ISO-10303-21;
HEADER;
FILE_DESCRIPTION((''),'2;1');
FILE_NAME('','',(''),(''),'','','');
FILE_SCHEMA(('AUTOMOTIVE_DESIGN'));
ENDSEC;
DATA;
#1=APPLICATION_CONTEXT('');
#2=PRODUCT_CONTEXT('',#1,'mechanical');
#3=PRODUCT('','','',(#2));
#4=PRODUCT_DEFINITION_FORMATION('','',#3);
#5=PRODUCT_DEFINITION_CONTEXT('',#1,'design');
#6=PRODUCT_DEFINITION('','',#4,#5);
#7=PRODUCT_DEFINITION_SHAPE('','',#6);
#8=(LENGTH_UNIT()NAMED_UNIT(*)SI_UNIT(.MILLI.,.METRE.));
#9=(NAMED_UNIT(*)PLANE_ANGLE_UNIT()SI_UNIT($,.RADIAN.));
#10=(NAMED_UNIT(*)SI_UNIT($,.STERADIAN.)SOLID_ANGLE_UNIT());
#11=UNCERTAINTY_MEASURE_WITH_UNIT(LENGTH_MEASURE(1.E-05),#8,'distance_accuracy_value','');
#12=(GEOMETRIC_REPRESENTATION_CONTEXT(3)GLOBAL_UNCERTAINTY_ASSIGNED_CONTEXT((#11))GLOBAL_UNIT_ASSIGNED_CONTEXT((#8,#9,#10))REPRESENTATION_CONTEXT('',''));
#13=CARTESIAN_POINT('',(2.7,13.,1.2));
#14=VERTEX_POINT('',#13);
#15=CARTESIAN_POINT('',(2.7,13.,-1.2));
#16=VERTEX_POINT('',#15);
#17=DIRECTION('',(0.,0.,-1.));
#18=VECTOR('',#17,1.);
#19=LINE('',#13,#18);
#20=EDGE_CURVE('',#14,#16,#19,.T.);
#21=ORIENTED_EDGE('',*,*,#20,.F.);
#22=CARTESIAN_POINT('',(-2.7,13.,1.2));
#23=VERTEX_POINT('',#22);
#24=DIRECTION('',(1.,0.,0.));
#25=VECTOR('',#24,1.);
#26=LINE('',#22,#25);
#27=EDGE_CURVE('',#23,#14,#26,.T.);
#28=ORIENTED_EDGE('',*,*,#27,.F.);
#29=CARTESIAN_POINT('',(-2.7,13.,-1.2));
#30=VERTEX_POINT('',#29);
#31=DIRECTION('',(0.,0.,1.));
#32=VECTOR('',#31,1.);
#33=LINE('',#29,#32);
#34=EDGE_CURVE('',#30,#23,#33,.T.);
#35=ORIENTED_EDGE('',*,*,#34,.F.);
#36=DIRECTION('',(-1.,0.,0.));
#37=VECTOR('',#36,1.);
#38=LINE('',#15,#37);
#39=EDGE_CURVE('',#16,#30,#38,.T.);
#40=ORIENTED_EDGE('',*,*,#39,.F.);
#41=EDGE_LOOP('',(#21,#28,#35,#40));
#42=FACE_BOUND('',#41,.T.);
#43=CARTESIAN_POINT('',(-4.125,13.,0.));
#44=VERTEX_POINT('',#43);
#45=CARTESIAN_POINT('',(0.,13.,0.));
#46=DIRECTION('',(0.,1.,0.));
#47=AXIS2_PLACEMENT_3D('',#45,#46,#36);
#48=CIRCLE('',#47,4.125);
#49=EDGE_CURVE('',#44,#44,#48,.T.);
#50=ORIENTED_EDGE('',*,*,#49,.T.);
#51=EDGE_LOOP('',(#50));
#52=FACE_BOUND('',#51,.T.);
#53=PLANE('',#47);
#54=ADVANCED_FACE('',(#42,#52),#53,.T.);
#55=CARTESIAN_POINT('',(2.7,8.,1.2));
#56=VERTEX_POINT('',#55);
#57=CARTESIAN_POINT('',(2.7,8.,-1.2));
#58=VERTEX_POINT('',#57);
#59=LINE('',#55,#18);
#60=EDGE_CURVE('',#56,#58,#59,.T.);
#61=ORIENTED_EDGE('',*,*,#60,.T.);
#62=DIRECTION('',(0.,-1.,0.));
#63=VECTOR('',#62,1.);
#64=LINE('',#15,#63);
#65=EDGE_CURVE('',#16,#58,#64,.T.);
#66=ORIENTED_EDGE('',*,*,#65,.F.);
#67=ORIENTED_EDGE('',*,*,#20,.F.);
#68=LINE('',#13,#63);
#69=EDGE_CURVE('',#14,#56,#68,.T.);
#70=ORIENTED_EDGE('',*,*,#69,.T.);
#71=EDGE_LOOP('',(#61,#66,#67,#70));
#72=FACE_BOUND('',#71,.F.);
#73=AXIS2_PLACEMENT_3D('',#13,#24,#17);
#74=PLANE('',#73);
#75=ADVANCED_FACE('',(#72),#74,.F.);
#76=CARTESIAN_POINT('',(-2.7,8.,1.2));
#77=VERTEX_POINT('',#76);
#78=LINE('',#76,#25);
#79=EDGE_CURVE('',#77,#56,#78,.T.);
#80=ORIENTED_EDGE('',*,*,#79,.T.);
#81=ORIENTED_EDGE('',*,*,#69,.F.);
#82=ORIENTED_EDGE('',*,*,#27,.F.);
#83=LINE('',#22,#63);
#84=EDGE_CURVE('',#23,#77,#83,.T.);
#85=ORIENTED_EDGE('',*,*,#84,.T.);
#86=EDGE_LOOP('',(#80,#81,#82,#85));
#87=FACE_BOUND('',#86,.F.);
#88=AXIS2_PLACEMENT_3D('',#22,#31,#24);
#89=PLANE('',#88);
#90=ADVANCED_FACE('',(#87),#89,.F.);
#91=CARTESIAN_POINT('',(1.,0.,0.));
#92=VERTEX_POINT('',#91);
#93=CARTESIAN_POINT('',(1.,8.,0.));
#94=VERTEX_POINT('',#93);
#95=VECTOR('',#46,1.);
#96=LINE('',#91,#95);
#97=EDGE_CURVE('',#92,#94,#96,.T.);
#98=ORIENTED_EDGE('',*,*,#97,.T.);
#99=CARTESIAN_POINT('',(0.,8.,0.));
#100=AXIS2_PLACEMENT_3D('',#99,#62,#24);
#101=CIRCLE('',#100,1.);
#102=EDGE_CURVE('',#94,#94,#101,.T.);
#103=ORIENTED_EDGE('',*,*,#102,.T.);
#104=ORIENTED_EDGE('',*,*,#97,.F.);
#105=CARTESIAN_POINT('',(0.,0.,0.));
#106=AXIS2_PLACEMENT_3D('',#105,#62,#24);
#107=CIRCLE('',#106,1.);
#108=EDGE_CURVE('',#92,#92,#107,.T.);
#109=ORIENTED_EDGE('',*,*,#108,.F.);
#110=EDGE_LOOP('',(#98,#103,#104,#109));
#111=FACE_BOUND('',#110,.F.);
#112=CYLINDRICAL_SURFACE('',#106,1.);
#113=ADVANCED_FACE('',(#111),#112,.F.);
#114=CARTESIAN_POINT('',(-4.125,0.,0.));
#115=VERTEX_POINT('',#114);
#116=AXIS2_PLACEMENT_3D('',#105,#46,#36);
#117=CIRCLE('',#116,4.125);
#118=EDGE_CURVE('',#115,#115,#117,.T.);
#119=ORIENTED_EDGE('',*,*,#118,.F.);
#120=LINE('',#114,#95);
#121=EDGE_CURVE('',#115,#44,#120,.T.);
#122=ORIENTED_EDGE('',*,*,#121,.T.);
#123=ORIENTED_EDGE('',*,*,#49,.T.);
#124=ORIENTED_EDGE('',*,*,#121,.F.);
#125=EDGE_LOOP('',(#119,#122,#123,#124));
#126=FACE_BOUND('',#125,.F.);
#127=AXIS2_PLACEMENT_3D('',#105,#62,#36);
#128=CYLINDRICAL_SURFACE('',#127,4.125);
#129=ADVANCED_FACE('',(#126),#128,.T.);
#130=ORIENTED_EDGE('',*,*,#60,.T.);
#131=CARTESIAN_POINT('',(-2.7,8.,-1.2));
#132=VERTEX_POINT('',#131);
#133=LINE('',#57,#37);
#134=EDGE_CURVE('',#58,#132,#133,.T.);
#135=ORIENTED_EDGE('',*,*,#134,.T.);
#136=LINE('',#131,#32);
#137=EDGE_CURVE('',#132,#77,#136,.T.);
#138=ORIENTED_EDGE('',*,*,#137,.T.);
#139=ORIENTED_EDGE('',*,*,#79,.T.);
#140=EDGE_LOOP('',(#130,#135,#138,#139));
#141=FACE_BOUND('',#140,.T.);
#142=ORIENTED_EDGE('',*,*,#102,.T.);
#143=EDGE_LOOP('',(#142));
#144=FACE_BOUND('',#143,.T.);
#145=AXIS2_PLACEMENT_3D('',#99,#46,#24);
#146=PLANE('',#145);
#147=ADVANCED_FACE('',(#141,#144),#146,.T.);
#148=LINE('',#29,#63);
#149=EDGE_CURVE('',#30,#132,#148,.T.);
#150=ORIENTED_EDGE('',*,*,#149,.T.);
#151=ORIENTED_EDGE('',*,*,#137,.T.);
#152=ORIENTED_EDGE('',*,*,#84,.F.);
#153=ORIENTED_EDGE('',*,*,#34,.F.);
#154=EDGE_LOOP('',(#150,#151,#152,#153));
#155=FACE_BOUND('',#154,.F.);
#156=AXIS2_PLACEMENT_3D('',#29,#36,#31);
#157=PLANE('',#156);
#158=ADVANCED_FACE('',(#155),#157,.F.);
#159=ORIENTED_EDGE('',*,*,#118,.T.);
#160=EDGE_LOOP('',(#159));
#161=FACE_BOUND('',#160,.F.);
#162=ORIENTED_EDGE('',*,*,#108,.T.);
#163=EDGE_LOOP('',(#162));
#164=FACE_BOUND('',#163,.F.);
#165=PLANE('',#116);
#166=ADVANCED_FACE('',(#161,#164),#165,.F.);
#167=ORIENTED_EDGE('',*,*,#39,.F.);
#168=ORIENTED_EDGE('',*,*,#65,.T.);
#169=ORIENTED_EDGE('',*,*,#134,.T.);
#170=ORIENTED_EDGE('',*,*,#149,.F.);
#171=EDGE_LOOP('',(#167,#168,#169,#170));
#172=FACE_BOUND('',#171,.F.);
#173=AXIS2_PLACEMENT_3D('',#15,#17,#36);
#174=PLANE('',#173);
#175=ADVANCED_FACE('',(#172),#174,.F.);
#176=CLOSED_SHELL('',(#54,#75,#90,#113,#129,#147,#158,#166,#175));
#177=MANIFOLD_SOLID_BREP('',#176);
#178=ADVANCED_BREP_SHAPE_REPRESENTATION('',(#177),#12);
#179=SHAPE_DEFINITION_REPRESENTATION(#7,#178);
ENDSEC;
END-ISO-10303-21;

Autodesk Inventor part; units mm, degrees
ref_plane "YZ Plane" through (0, 0, 0) normal (1, 0, 0) x (0, 1, 0)
ref_plane "XZ Plane" through (0, 0, 0) normal (0, 1, 0) x (-1, 0, 0)
ref_plane "XY Plane" through (0, 0, 0) normal (0, 0, 1) x (1, 0, 0)
sketch "Sketch1" plane through (0, 0, 0) normal (0, 1, 0) x (-1, 0, 0)
  circle A0 centre (0, 0) radius 4.125
  dimension "d0" = 8.25
extrude "Extrusion1" add sketch "Sketch1" along normal blind 13
sketch "Sketch2" plane through (0, 0, 0) normal (0, -1, 0) x (1, 0, 0)
  circle A0 centre (0, 0) radius 1
  dimension "d3" = 2
extrude "Extrusion2" cut sketch "Sketch2" against normal blind 8
sketch "Sketch3" plane through (0, 13, 0) normal (0, 1, 0) x (1, 0, 0)
  line L0 (-2.7, -1.2) -> (2.7, -1.2)
  line L1 (2.7, -1.2) -> (2.7, 1.2)
  line L2 (2.7, 1.2) -> (-2.7, 1.2)
  line L3 (-2.7, 1.2) -> (-2.7, -1.2)
  line L4 (-2.7, -1.2) -> (2.7, 1.2) construction
  line L5 (2.7, -1.2) -> (-2.7, 1.2) construction
  point P0 (0, 0)
  dimension "d6" = 2.4
  dimension "d7" = 5.4
extrude "Extrusion3" cut sketch "Sketch3" against normal blind 5
properties part number "encoder_magnet_holder_3DPrint"
